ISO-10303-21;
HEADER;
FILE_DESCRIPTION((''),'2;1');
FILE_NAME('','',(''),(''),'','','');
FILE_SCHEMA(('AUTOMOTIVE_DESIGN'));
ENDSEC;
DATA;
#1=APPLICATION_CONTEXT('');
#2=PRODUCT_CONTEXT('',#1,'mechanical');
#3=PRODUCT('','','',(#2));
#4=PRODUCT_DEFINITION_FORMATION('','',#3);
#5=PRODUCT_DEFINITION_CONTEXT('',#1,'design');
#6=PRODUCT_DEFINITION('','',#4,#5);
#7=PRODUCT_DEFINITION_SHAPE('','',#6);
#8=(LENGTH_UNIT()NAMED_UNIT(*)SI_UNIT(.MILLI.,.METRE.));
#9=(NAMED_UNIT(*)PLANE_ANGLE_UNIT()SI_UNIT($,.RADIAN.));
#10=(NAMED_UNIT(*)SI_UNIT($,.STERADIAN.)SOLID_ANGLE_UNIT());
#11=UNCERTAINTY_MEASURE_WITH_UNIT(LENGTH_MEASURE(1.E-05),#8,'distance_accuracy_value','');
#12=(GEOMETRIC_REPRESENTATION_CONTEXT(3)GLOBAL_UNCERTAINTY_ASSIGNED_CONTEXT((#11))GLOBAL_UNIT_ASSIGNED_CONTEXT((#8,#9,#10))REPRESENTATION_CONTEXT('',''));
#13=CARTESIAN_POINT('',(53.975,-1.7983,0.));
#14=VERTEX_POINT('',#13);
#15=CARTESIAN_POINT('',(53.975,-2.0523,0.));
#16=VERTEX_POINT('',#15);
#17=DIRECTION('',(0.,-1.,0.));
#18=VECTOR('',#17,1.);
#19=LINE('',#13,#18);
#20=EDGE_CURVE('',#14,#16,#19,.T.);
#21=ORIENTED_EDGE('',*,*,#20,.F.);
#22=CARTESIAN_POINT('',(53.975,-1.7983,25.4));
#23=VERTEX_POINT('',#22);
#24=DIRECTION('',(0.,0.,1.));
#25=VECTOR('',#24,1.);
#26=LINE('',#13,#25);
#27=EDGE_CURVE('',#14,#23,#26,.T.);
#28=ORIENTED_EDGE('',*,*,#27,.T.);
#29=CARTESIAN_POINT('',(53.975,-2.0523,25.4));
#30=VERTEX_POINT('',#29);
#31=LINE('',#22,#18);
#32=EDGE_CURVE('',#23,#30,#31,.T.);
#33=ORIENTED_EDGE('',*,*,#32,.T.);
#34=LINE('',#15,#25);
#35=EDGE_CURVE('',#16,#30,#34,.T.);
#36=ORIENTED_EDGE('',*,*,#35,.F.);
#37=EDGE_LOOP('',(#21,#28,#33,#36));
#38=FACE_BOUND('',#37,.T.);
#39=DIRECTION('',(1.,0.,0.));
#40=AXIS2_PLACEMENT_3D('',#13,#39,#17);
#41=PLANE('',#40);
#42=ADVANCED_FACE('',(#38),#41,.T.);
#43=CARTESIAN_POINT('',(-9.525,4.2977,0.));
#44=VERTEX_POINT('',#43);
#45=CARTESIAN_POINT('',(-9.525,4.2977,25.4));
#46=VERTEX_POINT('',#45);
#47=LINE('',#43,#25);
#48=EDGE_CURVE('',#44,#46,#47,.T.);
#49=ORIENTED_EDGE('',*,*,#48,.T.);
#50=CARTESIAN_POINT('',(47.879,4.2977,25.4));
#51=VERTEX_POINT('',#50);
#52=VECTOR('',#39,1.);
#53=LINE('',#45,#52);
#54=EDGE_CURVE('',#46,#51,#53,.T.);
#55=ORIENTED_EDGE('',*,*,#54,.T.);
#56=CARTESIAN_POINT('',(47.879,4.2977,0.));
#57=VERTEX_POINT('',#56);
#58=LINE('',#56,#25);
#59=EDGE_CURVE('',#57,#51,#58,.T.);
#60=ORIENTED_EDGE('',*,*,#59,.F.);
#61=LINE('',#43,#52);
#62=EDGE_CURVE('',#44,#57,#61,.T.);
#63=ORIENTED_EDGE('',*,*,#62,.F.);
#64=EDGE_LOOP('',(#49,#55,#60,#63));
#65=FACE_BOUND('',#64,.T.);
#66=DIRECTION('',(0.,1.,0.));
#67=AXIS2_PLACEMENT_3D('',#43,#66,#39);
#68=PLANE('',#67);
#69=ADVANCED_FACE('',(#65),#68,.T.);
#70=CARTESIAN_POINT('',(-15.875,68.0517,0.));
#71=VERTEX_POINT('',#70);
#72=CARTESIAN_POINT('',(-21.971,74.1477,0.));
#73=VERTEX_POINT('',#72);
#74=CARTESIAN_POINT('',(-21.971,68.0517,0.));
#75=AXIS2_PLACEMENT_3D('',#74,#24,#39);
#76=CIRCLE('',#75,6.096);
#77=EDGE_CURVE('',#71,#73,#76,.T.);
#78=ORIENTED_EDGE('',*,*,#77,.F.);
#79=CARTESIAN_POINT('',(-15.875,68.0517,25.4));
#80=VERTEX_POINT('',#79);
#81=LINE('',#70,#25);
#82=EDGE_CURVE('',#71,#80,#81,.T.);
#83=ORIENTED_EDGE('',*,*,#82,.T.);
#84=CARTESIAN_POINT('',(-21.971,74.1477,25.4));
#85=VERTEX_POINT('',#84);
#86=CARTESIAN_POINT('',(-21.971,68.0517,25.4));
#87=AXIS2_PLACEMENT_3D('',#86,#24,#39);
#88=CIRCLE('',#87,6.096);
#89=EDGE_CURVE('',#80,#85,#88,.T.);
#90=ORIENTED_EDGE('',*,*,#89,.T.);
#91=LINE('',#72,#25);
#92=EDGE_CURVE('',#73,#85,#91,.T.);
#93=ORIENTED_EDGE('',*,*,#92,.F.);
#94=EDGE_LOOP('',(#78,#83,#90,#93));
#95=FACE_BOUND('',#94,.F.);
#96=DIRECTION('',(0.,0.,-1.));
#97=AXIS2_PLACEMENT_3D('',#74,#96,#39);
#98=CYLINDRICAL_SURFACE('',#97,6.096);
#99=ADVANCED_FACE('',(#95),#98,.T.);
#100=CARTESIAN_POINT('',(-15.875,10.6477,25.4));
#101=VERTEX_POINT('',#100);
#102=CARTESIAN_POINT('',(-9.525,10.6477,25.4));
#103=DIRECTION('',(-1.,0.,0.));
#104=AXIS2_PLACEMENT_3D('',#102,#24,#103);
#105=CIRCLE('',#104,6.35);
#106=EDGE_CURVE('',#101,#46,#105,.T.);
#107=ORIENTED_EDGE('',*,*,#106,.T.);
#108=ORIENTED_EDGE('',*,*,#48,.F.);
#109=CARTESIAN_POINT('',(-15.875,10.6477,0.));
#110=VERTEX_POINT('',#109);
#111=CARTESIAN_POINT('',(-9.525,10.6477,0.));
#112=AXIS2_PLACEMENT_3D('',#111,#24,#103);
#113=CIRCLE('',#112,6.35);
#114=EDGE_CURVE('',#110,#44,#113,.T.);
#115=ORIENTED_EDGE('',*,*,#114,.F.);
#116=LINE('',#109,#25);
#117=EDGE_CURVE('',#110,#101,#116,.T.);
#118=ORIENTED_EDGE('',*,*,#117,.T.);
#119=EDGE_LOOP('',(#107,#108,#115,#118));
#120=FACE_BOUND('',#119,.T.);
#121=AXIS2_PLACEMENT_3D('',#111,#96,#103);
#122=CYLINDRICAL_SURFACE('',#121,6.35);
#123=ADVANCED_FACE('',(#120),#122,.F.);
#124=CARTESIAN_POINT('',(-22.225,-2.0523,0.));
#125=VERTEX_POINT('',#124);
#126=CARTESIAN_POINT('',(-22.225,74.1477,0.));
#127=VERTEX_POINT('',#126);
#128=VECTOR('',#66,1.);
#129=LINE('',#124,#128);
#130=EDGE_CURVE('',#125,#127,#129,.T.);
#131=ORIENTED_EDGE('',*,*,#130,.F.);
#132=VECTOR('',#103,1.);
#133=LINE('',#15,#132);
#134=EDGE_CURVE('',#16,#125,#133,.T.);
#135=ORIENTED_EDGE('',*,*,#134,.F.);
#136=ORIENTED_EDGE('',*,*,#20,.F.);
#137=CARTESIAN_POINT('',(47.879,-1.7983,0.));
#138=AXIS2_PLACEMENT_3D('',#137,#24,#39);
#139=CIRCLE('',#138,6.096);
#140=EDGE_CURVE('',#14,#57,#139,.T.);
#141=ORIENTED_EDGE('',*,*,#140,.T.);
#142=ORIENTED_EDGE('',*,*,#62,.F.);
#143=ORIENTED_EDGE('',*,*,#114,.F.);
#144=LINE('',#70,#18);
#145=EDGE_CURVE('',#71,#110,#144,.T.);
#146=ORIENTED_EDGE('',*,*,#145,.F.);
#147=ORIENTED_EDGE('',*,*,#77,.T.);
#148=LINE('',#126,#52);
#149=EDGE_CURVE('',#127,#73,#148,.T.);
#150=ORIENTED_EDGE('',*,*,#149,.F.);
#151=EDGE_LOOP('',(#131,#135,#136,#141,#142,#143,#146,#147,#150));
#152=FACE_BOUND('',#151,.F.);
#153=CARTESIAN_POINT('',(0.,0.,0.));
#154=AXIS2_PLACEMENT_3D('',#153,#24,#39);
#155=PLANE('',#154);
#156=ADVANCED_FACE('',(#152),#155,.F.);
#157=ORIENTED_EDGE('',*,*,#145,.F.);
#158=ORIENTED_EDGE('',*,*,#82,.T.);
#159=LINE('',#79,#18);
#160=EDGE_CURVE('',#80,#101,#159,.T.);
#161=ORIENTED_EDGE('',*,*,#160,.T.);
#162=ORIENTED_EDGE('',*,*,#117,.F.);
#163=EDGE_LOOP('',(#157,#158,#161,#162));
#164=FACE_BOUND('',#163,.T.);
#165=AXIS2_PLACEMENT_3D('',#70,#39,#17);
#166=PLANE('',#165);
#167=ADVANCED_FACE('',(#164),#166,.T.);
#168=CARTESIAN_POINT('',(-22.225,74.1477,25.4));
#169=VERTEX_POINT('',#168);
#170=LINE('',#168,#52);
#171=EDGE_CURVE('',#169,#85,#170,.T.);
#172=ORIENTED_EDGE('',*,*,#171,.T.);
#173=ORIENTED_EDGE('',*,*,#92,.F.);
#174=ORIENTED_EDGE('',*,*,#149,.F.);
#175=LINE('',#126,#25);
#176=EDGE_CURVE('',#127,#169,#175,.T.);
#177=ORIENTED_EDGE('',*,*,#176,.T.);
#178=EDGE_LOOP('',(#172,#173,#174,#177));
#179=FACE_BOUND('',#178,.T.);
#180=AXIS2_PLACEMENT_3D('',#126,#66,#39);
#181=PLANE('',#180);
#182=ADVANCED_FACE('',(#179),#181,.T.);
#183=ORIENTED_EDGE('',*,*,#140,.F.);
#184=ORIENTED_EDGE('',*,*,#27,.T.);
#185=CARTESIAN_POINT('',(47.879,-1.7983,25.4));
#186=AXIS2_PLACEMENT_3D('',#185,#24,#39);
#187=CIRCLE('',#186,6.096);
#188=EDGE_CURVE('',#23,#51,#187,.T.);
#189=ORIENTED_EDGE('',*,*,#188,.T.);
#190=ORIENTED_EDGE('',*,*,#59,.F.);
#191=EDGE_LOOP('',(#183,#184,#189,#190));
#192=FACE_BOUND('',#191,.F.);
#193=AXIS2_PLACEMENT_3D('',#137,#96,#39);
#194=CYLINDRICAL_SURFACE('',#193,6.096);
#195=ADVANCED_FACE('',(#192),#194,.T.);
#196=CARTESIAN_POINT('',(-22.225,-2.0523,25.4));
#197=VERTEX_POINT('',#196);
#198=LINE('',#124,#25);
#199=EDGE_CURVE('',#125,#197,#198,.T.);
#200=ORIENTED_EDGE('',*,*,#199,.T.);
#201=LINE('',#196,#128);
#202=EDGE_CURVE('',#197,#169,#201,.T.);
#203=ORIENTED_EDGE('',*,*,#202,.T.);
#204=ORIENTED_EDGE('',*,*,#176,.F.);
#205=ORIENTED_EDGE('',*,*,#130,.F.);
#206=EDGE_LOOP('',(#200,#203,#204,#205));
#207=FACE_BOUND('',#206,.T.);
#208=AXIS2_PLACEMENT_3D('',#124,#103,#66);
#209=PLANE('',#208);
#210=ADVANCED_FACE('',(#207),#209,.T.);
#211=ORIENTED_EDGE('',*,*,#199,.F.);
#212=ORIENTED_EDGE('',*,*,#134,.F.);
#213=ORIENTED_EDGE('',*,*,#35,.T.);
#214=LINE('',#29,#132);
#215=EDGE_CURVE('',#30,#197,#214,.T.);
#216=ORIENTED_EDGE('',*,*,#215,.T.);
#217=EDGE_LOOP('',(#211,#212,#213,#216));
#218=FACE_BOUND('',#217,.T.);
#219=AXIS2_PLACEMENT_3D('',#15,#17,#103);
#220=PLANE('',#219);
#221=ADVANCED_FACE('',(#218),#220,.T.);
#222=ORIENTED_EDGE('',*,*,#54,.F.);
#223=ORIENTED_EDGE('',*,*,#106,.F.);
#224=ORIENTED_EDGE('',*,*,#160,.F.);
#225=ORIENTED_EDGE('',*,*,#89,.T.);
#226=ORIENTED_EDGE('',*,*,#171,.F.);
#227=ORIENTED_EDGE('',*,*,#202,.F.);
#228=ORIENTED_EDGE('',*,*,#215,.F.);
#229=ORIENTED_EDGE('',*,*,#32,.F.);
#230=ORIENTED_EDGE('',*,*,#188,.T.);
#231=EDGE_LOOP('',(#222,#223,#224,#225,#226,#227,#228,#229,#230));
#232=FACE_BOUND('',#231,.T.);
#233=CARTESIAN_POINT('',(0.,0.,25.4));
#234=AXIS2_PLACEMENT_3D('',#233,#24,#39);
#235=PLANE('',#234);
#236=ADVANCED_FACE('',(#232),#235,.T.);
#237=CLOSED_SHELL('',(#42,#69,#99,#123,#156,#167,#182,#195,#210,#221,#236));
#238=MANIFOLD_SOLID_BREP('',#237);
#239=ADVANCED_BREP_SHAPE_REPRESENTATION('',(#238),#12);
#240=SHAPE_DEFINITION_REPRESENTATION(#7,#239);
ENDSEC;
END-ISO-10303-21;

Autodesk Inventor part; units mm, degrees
ref_plane "YZ Plane" through (0, 0, 0) normal (1, 0, 0) x (0, 1, 0)
ref_plane "XZ Plane" through (0, 0, 0) normal (0, 1, 0) x (-1, 0, 0)
ref_plane "XY Plane" through (0, 0, 0) normal (0, 0, 1) x (1, 0, 0)
sketch "Sketch1" plane through (0, 0, 0) normal (0, 0, 1) x (1, 0, 0)
  line L0 (-15.875, 68.0517) -> (-15.875, 10.6477)
  line L1 (-9.525, 4.2977) -> (47.879, 4.2977)
  line L2 (53.975, -1.7983) -> (53.975, -2.0523)
  line L3 (53.975, -2.0523) -> (-22.225, -2.0523)
  line L4 (-22.225, -2.0523) -> (-22.225, 74.1477)
  line L5 (-22.225, 74.1477) -> (-21.971, 74.1477)
  arc A0 (-15.875, 68.0517) -> (-21.971, 74.1477) centre (-21.971, 68.0517) ccw
  arc A1 (53.975, -1.7983) -> (47.879, 4.2977) centre (47.879, -1.7983) ccw
  arc A2 (-15.875, 10.6477) -> (-9.525, 4.2977) centre (-9.525, 10.6477) ccw
  dimension "d0" = 6.096
  dimension "d1" = 6.35
  dimension "d2" = 76.2
  dimension "d3" = 6.35
extrude "Extrusion1" add sketch "Sketch1" along normal blind 25.4
properties part number "FE-00014-04"
